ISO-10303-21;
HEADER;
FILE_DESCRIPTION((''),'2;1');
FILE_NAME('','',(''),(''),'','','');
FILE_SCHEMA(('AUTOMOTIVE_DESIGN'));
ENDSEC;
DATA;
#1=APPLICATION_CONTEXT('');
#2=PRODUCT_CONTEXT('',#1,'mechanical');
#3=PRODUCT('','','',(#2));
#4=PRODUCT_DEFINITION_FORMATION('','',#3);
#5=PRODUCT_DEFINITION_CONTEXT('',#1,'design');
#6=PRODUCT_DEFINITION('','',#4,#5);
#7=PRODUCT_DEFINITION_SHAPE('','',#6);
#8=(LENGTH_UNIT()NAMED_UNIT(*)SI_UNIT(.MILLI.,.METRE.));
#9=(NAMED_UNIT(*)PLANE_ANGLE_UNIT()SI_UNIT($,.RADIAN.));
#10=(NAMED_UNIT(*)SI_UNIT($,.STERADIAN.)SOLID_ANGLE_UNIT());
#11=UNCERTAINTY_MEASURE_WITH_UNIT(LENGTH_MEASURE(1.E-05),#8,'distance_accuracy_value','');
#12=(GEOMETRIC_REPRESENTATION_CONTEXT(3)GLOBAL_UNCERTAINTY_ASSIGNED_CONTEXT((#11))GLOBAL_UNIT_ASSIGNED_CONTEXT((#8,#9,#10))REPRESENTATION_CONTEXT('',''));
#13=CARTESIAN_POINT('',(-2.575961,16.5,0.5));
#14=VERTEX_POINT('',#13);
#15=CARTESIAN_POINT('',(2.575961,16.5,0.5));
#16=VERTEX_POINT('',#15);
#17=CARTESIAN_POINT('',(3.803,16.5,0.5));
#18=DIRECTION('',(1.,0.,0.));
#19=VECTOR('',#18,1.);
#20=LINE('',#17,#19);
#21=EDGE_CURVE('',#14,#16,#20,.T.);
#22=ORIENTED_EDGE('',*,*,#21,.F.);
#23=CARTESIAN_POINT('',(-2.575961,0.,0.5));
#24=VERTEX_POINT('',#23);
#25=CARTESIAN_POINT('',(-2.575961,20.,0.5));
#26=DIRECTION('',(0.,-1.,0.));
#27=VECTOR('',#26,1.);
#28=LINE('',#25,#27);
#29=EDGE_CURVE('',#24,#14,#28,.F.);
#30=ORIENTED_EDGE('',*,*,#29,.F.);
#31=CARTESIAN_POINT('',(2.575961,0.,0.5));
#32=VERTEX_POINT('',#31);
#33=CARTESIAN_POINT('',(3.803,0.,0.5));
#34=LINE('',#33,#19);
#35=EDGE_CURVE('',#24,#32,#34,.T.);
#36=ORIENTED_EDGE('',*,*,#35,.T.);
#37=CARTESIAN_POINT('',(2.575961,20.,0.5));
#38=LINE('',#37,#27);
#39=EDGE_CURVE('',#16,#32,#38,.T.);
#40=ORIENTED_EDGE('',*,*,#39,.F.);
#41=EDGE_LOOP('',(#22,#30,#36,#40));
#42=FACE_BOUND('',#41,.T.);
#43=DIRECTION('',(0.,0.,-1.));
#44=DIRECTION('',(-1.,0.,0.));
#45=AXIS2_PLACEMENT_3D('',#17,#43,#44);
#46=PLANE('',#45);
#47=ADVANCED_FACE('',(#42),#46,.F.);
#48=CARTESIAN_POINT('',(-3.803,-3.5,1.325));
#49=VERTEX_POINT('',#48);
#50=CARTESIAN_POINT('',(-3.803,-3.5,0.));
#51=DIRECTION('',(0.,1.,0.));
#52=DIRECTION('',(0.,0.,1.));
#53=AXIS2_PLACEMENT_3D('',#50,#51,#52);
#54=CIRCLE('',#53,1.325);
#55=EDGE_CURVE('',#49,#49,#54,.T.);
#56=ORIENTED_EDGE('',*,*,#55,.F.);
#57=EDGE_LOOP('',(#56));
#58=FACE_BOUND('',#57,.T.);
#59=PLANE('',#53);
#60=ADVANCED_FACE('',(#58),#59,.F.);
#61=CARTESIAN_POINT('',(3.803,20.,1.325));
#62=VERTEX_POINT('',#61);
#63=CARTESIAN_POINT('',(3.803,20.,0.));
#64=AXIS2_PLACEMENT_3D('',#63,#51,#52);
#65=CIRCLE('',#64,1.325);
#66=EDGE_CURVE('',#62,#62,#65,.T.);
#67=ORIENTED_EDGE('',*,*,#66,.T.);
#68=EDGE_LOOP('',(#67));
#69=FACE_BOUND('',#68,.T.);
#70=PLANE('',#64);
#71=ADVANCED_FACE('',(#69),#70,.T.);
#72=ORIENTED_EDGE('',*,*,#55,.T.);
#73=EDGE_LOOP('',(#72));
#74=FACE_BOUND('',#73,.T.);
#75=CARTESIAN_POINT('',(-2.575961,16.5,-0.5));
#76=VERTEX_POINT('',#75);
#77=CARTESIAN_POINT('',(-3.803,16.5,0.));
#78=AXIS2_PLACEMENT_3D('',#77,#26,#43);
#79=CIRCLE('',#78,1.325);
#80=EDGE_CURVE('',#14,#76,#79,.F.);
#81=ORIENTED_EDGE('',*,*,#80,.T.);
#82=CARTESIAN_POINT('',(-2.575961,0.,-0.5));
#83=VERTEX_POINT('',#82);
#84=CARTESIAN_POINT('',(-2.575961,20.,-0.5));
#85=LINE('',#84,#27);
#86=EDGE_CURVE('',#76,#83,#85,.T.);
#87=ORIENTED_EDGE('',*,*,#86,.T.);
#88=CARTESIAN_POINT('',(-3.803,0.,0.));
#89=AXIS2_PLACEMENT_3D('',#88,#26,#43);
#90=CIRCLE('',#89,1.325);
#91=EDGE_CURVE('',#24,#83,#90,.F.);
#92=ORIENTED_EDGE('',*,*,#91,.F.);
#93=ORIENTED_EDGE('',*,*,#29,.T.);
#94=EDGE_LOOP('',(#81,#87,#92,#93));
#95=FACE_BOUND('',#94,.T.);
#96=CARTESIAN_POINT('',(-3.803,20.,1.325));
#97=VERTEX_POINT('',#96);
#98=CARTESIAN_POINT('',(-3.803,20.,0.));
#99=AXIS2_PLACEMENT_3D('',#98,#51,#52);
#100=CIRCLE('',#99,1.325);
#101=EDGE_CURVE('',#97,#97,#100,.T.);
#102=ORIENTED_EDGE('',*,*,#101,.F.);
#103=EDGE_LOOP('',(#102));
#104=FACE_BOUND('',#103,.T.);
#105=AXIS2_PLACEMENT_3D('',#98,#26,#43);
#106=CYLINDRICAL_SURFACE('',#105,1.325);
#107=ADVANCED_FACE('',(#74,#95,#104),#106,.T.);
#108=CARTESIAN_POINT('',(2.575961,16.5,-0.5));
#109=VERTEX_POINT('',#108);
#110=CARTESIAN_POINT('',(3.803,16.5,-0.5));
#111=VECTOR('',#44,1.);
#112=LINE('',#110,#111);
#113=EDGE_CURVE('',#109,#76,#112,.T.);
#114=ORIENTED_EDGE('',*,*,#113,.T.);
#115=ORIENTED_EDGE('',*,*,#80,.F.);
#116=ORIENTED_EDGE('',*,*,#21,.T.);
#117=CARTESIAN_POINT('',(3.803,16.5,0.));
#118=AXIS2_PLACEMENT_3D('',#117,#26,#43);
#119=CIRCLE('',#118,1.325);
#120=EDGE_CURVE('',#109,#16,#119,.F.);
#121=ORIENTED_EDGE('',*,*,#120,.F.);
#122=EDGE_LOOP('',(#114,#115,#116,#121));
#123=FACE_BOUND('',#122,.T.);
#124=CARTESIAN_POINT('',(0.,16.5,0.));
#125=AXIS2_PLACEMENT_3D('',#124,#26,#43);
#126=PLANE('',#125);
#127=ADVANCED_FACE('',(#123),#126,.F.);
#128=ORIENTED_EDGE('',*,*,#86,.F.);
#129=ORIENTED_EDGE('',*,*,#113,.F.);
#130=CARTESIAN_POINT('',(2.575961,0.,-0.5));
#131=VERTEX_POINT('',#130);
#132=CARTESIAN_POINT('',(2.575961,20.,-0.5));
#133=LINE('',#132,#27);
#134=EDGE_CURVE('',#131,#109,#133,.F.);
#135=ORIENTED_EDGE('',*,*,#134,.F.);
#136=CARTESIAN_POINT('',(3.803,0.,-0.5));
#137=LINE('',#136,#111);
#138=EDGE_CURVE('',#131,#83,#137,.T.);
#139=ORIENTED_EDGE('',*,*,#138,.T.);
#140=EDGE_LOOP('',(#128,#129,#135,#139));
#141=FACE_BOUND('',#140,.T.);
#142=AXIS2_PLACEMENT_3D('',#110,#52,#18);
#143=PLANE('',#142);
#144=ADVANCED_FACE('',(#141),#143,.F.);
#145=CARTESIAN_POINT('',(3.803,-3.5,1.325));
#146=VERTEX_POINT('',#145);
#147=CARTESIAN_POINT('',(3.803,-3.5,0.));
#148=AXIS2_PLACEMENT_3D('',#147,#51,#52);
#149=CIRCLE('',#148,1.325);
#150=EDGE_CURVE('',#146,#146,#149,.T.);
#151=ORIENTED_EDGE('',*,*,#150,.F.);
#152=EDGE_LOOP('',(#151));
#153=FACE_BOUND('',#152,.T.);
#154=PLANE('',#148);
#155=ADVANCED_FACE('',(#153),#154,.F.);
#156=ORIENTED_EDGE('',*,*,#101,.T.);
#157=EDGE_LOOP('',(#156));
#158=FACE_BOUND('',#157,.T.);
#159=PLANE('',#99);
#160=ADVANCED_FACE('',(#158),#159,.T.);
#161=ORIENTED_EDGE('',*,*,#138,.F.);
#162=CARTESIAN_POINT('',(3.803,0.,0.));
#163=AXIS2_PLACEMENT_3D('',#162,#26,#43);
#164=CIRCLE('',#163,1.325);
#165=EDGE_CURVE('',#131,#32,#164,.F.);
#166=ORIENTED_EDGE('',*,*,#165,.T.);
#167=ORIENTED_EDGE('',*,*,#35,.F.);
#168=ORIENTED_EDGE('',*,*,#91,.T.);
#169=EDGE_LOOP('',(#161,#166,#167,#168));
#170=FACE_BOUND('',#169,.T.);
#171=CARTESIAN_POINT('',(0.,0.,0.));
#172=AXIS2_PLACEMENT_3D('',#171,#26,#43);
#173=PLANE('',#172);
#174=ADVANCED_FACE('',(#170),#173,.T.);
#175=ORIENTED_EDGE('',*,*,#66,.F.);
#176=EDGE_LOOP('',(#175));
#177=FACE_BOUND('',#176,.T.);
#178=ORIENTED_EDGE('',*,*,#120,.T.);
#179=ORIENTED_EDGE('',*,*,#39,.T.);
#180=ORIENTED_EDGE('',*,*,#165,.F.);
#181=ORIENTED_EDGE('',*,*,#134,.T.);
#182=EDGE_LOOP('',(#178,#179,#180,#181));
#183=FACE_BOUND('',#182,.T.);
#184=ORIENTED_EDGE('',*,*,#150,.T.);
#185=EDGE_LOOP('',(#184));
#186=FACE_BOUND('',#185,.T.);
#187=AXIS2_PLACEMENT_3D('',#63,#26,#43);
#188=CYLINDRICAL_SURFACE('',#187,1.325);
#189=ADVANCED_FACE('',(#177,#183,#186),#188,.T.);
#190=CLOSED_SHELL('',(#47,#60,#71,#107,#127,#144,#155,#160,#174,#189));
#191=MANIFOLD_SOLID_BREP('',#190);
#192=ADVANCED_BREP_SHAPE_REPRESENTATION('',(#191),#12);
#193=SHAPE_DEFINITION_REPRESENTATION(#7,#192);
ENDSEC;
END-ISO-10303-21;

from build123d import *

# Parameters (mm, degrees)
SKETCH1_W           = 7.606
SKETCH1_H           = 1
BOSS_EXTRUDE1_DEPTH = 16.5
SKETCH2_R           = 1.325
BOSS_EXTRUDE2_DEPTH = 11.75


with BuildPart() as part:
    # Sketch1 → Boss-Extrude1 (new body)
    with BuildSketch(Plane(origin=(0, 0, 0), x_dir=(1, 0, 0), z_dir=(0, 1, 0))):
        Rectangle(SKETCH1_W, SKETCH1_H)
    extrude(amount=BOSS_EXTRUDE1_DEPTH)

    # Sketch2 → Boss-Extrude2 (add, symmetric)
    with BuildSketch(Plane(origin=(0, 8.25, 0), x_dir=(1, 0, 0), z_dir=(0, 1, 0))):
        with Locations(Location((-3.803, 0, 0), (0, 0, 270))):
            Circle(SKETCH2_R)
        with Locations(Location((3.803, 0, 0), (0, 0, 270))):
            Circle(SKETCH2_R)
    extrude(amount=BOSS_EXTRUDE2_DEPTH, both=True)


solid = part.part
